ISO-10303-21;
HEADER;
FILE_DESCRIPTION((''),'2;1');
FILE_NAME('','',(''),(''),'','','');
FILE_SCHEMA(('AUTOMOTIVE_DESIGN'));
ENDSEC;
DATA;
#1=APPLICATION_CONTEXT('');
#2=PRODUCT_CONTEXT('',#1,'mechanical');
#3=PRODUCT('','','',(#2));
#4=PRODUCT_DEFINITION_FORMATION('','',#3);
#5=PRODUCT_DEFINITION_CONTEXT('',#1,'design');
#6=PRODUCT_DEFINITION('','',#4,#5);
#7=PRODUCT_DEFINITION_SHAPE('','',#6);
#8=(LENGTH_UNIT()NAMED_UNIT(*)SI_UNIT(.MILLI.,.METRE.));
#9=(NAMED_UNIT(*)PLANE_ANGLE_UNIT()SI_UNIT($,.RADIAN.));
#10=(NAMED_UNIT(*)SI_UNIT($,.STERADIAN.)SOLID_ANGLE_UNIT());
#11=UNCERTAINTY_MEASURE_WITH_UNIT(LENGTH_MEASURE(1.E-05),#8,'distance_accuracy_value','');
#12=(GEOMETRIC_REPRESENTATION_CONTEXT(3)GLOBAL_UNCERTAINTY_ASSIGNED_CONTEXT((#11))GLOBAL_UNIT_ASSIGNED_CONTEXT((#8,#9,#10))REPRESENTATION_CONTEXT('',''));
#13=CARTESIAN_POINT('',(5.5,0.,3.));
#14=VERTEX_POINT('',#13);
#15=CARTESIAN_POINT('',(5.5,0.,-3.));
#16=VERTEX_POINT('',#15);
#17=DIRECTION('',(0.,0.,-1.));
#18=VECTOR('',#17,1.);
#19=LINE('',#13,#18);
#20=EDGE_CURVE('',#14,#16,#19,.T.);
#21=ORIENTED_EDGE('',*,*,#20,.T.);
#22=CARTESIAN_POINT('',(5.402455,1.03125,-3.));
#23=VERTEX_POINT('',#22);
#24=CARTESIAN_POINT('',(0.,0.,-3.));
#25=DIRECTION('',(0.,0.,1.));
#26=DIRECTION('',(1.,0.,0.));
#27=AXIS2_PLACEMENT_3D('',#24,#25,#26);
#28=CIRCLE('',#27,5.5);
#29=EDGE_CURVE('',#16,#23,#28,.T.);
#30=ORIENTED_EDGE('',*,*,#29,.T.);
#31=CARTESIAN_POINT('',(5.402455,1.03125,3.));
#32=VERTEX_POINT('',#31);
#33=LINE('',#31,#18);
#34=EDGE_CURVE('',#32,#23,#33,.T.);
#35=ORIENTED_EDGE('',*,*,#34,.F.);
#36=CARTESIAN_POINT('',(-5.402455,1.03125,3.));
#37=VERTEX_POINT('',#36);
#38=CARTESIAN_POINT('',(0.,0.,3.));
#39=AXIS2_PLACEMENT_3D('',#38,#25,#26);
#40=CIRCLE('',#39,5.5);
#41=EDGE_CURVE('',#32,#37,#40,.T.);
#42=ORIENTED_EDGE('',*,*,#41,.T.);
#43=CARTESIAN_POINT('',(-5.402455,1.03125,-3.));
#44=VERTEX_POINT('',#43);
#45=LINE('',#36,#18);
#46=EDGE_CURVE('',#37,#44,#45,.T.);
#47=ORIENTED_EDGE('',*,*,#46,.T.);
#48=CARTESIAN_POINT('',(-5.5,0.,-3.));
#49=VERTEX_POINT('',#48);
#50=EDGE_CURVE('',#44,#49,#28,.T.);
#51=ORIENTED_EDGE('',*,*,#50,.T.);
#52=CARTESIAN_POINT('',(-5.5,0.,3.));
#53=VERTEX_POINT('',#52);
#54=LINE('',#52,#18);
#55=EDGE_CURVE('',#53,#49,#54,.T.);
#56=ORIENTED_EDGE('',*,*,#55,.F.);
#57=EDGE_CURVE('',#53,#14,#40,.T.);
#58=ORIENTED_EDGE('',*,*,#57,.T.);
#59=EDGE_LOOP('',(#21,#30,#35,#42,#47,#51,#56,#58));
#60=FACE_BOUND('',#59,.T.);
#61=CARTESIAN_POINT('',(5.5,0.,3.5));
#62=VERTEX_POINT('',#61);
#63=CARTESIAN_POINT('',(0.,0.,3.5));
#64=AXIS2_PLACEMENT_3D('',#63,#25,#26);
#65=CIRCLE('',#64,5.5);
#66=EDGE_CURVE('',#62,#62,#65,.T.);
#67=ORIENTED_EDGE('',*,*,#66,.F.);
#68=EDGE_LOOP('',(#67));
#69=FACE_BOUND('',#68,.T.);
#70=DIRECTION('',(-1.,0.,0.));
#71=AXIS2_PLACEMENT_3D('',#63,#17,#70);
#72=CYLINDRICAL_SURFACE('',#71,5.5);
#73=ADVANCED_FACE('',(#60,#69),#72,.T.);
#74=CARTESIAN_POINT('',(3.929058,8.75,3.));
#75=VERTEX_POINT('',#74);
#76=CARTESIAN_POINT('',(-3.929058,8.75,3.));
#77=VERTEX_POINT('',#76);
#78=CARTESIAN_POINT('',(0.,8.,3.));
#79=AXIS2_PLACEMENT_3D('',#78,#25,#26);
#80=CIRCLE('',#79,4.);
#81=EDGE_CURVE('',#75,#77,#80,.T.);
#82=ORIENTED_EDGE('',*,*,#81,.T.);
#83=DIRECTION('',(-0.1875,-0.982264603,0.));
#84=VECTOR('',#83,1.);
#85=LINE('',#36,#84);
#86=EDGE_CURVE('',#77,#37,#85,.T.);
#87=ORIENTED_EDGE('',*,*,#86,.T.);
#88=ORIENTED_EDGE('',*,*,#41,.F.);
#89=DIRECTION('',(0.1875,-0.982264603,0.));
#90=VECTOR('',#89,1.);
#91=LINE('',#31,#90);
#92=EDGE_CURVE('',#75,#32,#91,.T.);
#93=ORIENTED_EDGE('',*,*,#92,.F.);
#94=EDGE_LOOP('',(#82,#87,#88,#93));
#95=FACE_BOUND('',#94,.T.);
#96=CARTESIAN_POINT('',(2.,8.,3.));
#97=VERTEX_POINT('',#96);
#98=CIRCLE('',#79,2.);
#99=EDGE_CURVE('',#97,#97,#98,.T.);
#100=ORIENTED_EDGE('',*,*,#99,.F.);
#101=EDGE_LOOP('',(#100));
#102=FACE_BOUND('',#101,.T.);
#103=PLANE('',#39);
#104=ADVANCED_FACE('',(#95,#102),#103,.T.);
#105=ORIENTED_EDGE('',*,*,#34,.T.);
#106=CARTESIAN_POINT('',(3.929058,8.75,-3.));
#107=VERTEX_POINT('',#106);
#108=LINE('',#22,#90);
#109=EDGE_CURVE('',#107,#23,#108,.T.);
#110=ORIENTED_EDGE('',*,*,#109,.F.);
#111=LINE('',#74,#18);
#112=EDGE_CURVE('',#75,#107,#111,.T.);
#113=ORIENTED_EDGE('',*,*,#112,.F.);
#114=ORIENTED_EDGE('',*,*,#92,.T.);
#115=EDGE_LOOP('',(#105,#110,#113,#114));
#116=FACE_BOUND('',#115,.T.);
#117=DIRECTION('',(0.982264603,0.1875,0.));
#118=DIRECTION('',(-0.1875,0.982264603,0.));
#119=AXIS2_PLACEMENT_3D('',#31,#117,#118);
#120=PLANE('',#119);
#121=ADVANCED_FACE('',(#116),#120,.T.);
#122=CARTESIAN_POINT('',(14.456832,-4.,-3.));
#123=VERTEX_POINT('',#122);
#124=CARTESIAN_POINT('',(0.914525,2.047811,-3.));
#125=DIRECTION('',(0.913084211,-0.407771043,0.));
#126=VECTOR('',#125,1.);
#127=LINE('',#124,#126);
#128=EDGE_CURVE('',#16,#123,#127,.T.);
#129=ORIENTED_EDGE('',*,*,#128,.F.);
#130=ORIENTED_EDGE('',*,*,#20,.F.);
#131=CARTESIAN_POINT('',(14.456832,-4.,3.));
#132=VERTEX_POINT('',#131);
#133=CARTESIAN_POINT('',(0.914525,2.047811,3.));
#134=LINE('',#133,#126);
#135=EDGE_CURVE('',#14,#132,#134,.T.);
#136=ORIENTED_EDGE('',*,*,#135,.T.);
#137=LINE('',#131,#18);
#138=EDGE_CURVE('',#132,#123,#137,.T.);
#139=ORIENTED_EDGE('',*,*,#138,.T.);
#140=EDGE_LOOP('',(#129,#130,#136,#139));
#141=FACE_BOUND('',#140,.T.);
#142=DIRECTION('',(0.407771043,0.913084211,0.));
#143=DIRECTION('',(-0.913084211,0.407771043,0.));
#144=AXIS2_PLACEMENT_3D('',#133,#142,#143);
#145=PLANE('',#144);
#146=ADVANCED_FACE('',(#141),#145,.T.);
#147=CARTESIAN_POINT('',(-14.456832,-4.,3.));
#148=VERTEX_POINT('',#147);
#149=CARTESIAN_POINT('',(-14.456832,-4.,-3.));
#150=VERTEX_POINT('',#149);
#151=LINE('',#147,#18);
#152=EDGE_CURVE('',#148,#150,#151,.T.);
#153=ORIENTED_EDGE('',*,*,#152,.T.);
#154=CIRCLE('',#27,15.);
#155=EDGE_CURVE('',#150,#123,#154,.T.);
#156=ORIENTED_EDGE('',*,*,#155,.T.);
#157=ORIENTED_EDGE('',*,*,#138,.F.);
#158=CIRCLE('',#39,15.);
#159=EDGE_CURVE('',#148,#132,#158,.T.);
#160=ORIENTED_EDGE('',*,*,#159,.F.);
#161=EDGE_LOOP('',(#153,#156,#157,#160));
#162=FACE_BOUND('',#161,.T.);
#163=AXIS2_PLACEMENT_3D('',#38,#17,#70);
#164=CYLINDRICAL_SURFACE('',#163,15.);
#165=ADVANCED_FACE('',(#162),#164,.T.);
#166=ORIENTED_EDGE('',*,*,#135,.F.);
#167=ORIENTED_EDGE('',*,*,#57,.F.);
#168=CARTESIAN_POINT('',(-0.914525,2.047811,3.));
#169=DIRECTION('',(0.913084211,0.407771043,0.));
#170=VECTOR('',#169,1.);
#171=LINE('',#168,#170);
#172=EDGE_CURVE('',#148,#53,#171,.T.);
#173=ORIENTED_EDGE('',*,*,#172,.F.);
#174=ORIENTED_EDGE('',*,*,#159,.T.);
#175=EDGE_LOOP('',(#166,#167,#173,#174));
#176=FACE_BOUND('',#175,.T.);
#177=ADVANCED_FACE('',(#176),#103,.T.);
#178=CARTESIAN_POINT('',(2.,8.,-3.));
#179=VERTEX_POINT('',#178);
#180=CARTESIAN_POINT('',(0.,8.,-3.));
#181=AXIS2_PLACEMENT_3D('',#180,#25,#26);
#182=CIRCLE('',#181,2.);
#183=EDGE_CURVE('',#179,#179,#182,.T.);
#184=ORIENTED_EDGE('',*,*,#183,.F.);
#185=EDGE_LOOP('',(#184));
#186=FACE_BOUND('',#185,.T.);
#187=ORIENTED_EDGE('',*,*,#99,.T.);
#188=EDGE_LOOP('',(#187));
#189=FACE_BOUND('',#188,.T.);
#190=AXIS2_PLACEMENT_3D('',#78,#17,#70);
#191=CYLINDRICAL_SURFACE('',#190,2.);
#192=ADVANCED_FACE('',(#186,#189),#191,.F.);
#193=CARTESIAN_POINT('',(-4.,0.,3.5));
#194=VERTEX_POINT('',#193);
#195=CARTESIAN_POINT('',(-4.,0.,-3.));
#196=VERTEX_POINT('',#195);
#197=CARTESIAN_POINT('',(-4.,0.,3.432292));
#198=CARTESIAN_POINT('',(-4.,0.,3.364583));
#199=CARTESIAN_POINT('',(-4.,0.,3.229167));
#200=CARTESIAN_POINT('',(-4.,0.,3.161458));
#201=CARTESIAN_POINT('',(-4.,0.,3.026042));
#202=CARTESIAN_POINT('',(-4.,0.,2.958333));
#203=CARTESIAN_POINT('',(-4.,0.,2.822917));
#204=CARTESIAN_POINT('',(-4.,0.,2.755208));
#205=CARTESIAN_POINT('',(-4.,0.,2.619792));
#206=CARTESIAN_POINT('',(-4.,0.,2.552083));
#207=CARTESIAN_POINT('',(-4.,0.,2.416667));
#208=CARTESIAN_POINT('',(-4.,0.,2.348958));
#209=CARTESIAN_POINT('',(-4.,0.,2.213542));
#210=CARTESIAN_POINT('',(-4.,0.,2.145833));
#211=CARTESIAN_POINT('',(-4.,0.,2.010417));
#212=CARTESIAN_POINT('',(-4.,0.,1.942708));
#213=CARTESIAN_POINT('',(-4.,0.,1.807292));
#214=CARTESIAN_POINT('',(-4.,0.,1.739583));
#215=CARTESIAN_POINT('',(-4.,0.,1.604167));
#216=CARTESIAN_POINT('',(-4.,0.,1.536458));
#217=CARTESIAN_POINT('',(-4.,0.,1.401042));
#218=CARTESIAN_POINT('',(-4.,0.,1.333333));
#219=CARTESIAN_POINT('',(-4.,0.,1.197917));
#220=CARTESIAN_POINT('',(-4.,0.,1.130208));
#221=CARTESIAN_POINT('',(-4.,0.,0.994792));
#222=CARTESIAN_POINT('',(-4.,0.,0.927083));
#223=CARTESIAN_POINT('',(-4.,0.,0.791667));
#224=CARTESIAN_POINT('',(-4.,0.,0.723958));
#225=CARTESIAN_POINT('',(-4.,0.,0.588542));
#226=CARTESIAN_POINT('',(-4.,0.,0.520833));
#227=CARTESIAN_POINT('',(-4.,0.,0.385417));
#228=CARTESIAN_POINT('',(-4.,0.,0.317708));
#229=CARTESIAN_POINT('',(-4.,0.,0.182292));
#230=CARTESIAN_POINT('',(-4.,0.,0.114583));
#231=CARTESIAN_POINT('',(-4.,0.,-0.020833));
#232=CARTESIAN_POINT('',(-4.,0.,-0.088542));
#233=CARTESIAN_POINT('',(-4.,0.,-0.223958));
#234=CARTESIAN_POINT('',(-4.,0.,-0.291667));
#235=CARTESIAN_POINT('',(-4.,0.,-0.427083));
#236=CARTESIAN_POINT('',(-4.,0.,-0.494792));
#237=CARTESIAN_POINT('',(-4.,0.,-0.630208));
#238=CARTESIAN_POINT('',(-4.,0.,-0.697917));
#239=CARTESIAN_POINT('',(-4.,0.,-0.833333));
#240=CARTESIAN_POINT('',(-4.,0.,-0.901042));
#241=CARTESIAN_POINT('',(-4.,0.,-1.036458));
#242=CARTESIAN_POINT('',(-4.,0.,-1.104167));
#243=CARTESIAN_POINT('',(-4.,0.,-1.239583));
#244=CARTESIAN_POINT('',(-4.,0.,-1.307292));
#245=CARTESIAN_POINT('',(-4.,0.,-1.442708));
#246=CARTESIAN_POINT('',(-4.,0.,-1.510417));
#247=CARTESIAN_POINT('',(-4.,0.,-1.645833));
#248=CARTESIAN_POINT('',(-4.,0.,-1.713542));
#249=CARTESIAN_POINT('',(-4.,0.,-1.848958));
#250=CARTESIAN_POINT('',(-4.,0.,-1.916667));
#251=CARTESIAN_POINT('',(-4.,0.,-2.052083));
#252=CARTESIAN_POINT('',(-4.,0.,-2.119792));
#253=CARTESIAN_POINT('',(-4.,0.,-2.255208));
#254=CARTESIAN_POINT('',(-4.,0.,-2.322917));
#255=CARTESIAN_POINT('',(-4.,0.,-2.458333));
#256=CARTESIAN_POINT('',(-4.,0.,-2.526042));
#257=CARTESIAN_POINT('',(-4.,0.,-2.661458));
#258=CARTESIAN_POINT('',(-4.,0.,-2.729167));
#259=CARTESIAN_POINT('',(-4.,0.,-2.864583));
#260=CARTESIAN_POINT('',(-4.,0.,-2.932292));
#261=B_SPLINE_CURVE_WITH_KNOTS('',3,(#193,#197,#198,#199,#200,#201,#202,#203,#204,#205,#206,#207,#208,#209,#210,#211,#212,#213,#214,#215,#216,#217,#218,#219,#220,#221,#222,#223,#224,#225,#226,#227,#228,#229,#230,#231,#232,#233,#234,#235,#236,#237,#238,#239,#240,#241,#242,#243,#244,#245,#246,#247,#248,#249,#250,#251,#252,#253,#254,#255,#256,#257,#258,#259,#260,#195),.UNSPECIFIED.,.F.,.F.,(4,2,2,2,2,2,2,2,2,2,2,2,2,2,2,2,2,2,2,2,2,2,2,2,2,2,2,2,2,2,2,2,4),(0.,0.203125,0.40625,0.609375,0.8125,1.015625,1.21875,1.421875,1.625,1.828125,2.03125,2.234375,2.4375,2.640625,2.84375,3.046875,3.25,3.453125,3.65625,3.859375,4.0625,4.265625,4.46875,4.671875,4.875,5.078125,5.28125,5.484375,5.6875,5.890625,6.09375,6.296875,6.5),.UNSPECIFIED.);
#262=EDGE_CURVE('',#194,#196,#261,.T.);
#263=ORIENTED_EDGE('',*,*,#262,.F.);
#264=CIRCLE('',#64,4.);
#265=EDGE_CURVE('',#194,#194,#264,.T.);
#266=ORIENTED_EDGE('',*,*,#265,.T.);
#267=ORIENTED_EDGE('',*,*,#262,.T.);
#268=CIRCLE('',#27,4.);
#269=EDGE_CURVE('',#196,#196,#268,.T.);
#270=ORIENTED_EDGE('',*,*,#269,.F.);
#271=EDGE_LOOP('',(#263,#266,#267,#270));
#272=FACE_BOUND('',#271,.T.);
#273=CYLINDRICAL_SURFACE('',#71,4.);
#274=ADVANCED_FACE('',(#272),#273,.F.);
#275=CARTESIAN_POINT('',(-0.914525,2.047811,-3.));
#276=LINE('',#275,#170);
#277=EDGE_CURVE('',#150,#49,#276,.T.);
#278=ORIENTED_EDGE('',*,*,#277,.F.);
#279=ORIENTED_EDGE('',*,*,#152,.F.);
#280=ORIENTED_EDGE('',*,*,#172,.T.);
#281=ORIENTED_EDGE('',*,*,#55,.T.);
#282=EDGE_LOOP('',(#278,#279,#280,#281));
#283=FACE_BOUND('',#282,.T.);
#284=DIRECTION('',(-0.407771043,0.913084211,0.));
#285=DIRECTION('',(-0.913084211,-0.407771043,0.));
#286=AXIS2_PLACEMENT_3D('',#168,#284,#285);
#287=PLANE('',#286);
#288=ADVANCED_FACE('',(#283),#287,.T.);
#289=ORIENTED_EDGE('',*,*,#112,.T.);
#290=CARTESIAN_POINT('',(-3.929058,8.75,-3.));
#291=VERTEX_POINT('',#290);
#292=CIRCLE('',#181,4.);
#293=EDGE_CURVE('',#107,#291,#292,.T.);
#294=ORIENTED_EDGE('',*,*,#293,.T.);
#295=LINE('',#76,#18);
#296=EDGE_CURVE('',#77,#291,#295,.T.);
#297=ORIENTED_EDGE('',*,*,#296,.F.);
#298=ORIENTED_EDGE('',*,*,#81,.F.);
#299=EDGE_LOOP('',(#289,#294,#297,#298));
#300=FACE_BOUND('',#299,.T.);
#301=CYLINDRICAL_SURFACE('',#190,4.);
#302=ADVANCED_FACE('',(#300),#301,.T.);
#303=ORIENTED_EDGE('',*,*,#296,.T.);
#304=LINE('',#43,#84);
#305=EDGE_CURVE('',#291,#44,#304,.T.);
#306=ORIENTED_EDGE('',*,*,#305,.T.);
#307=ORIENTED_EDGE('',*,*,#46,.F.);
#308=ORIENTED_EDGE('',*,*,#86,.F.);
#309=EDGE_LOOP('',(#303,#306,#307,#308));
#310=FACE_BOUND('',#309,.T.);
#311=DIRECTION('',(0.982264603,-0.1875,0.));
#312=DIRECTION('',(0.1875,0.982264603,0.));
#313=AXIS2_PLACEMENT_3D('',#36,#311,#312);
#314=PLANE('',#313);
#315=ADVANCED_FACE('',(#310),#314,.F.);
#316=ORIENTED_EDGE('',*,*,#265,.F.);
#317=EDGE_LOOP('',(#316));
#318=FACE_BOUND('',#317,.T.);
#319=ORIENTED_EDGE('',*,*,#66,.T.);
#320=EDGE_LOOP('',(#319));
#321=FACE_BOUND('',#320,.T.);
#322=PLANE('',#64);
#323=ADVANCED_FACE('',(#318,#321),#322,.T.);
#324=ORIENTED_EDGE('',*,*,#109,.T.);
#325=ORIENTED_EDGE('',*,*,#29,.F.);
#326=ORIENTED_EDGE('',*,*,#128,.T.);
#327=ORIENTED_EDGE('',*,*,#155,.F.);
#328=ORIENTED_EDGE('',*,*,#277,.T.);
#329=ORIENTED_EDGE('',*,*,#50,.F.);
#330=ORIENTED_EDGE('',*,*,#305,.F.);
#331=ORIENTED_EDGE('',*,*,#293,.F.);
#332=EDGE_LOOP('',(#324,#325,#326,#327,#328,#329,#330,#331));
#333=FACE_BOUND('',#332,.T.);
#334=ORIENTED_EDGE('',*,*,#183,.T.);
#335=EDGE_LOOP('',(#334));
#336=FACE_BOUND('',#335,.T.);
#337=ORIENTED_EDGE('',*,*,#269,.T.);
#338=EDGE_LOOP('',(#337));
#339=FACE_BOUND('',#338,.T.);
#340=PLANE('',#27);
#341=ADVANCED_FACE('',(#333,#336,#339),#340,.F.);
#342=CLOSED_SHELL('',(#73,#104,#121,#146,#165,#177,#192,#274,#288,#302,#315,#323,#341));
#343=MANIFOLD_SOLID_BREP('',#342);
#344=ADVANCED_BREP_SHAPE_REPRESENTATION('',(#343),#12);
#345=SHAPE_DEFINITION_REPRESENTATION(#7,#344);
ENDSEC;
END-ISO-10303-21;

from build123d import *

# Parameters (mm, degrees)
BOSS_EXTRUDE1_DEPTH   = 3
SKETCH1_R             = 2
BOSS_EXTRUDE1_2_DEPTH = 3
BOSS_EXTRUDE2_START   = 3.5
SKETCH1_4_R           = 5.5
SKETCH1_4_R_2         = 4
BOSS_EXTRUDE2_DEPTH   = 6.5


with BuildPart() as part:
    # Sketch1 → Boss-Extrude1 (new, symmetric)
    with BuildSketch(Plane.XY):
        with BuildLine():
            Line((-5.5, 0), (-14.456832295, -4))
            ThreePointArc((-14.456832295, -4), (0, -15), (14.456832295, -4))
            Line((14.456832295, -4), (5.5, 0))
            ThreePointArc((5.5, 0), (0, -5.5), (-5.5, 0))
        make_face()
    extrude(amount=BOSS_EXTRUDE1_DEPTH, both=True)



with BuildPart() as body_2:
    # Sketch1 → Boss-Extrude1 2 (new, symmetric)
    with BuildSketch(Plane.XY):
        with BuildLine():
            Line((-3.929058411, 8.75), (-5.402455316, 1.03125))
            ThreePointArc((-5.402455316, 1.03125), (0, 5.5), (5.402455316, 1.03125))
            Line((5.402455316, 1.03125), (3.929058411, 8.75))
            ThreePointArc((3.929058411, 8.75), (0, 12), (-3.929058411, 8.75))
        make_face()
        with Locations((0, 8)):
            Circle(SKETCH1_R, mode=Mode.SUBTRACT)
    extrude(amount=BOSS_EXTRUDE1_2_DEPTH, both=True)


with BuildPart() as part_1:
    add(part.part)

    add(body_2.part)  # Boss-Extrude2 merges body 2
    # Sketch1<4> → Boss-Extrude2 (add)
    with BuildSketch(Plane.XY.offset(BOSS_EXTRUDE2_START)):
        Circle(SKETCH1_4_R)
        with Locations(Location((0, 0, 0), (0, 0, 180))):
            Circle(SKETCH1_4_R_2, mode=Mode.SUBTRACT)
    extrude(amount=-BOSS_EXTRUDE2_DEPTH)


solid = part_1.part
